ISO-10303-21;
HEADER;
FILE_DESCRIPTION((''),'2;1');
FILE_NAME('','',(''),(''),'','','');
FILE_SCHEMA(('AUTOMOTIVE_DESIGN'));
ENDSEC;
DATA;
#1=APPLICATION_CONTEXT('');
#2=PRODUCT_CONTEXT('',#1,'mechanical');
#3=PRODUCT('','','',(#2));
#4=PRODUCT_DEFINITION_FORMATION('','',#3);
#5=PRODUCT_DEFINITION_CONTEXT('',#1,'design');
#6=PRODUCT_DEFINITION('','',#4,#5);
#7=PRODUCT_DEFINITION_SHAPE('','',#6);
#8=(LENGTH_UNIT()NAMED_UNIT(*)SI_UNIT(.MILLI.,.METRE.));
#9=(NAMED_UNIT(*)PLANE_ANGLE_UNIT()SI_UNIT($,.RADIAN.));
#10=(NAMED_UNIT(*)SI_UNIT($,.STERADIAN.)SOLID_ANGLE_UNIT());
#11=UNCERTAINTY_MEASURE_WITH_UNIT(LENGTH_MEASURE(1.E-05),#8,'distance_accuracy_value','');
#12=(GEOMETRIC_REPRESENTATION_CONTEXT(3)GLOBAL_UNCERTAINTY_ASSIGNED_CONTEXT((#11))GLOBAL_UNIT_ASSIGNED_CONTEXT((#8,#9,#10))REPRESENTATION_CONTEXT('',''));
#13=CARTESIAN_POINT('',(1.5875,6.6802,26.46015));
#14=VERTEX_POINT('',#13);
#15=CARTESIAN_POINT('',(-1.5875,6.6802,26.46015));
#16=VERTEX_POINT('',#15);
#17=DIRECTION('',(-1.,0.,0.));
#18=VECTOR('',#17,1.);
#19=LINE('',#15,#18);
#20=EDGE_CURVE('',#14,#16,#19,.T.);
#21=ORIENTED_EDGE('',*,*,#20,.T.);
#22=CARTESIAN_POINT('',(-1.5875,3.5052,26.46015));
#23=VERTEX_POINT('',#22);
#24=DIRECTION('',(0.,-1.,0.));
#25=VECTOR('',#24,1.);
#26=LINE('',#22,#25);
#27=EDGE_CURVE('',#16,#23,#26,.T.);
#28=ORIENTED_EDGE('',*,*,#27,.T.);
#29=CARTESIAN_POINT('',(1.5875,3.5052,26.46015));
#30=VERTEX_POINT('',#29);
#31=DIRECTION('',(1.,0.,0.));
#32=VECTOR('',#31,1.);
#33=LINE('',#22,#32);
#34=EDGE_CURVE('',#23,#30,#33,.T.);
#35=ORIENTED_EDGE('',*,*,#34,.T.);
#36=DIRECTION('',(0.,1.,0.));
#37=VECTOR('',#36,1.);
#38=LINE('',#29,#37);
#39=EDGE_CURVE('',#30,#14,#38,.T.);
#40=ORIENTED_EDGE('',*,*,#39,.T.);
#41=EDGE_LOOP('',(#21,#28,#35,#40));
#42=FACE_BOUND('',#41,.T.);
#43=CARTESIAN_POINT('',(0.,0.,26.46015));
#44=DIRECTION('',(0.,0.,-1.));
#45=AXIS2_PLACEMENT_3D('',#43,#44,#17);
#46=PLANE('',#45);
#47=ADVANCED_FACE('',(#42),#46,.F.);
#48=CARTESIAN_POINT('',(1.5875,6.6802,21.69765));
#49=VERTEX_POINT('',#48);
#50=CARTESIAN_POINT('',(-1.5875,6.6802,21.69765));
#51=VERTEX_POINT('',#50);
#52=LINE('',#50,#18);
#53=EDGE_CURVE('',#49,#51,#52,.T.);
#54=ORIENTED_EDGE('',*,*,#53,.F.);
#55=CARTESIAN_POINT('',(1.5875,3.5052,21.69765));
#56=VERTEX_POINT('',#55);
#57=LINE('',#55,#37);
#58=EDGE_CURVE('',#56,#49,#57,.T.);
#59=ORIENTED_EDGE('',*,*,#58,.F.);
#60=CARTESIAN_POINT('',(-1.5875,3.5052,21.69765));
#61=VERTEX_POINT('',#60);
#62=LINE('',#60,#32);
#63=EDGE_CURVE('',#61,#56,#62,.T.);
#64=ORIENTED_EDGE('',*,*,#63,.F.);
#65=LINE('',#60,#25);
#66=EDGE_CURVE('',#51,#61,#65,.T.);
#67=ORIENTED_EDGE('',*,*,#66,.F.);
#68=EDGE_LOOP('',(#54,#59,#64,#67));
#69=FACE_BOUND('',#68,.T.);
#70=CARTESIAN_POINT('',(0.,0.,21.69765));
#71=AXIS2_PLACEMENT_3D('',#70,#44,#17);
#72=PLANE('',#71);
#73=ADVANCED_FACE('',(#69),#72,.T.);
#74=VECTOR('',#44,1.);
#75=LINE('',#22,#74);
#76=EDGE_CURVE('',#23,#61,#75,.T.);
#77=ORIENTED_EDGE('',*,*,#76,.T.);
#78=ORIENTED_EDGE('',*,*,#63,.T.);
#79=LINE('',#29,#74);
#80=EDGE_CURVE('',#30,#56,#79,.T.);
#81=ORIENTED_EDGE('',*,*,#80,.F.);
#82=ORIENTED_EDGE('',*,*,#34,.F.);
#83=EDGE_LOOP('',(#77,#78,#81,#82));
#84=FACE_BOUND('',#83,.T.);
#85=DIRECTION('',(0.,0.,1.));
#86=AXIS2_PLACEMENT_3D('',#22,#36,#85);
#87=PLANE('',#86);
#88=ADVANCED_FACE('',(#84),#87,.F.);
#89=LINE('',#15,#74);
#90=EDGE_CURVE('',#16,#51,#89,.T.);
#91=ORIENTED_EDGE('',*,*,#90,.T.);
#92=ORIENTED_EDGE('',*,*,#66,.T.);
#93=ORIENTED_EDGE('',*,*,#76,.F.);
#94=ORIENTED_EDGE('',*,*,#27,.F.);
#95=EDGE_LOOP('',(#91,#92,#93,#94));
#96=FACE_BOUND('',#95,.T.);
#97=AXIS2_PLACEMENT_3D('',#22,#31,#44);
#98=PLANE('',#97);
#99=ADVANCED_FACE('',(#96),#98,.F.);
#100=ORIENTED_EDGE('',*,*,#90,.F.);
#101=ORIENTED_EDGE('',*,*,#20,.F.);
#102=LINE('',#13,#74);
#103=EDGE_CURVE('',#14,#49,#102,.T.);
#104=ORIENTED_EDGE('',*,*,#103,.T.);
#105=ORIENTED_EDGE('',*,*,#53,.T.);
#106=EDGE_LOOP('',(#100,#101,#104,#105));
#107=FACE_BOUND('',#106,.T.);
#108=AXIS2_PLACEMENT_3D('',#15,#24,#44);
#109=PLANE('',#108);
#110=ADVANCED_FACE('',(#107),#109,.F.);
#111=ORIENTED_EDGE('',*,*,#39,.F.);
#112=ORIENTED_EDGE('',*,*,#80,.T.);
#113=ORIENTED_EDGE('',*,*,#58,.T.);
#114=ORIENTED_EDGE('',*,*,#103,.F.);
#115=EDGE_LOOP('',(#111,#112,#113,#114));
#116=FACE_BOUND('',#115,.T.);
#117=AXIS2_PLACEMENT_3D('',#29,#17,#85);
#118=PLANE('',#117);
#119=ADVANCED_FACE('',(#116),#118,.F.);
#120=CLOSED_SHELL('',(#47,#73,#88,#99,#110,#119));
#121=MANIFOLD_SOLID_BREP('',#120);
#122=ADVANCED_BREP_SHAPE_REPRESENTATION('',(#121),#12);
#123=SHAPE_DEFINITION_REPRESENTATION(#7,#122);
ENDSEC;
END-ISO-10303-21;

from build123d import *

# Parameters (mm, degrees)
BOSS_EXTRUDE1_START = 1.5875
SKETCH1_W           = 3.175
SKETCH1_H           = 3.175
BOSS_EXTRUDE1_DEPTH = 4.7625


with BuildPart() as part:
    # Sketch1 → Boss-Extrude1 (new body)
    with BuildSketch(Plane.XY.offset(20.11015).offset(BOSS_EXTRUDE1_START)):
        with Locations((0, 5.0927)):
            Rectangle(SKETCH1_W, SKETCH1_H)
    extrude(amount=BOSS_EXTRUDE1_DEPTH)


solid = part.part
